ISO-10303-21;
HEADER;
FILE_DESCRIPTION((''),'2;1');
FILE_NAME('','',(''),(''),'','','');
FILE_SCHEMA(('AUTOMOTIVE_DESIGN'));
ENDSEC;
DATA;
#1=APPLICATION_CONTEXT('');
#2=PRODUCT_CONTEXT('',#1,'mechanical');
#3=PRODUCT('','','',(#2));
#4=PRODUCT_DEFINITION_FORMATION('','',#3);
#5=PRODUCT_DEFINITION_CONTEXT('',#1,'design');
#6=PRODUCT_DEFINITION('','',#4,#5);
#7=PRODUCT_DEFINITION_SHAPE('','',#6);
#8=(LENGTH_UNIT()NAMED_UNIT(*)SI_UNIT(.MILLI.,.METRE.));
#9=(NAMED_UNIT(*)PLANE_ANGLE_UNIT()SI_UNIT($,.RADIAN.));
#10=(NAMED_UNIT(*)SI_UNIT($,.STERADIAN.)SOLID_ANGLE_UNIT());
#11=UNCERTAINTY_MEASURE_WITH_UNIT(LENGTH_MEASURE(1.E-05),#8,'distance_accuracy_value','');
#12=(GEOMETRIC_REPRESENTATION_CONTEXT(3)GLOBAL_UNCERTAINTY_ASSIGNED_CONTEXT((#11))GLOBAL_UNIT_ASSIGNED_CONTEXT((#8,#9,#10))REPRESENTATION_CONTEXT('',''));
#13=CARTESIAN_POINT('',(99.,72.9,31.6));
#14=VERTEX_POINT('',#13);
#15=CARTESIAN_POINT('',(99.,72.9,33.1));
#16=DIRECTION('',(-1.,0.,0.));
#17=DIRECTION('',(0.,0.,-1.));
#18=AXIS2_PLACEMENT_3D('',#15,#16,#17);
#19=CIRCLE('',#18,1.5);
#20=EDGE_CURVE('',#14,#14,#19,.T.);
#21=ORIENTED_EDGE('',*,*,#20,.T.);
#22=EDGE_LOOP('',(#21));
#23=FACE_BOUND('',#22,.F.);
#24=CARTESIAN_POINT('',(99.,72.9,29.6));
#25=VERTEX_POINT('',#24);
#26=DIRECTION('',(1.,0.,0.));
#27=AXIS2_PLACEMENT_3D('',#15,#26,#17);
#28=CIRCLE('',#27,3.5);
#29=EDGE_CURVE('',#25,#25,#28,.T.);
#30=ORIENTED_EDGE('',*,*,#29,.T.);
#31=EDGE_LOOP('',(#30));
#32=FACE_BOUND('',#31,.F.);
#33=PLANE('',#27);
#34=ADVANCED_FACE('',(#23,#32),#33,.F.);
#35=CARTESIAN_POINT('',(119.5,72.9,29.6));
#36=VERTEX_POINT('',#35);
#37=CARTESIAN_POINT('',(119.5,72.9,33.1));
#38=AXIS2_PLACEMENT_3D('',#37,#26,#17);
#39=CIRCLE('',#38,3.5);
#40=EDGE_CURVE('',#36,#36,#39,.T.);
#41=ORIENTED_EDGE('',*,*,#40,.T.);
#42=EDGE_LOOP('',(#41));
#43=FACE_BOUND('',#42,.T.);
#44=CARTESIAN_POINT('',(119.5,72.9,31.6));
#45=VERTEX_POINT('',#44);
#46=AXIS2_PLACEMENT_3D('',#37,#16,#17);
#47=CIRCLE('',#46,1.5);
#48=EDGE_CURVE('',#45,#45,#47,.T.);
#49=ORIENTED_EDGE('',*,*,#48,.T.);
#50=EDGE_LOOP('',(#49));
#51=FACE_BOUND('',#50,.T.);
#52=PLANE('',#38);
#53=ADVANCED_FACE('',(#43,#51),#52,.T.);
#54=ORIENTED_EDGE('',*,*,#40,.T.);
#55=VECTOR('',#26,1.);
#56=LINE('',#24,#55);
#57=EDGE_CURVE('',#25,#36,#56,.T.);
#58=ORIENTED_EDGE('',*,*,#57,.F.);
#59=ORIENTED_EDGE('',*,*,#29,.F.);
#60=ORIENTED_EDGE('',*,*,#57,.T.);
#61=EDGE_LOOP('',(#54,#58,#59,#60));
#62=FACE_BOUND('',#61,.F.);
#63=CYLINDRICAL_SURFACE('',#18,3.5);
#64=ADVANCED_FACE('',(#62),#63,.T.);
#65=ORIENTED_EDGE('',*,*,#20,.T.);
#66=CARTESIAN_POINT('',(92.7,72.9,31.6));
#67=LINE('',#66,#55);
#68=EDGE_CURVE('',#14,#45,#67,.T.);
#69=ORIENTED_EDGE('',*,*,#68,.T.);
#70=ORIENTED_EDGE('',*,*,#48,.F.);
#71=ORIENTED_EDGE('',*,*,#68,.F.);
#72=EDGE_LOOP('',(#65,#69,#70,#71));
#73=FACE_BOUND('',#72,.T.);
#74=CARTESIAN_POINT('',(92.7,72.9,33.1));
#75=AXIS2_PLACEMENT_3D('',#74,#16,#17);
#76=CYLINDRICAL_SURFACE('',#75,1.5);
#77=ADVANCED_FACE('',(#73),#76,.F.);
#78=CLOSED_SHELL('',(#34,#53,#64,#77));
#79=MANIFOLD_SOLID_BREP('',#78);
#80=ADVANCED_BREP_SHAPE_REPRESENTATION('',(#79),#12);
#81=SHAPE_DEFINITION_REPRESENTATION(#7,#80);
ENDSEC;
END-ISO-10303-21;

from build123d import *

# Parameters (mm, degrees)
CYLINDER175_R     = 1.5
CYLINDER175_DEPTH = 55
CYLINDER169_R     = 3.5
CYLINDER169_DEPTH = 20.5


with BuildPart() as cylinder175:
    # Cylinder175 → Cylinder175 (new body)
    with BuildSketch(Plane(origin=(92.7, 72.9, 33.1), x_dir=(0, 0, -1), z_dir=(1, 0, 0))):
        Circle(CYLINDER175_R)
    extrude(amount=CYLINDER175_DEPTH)


with BuildPart() as cut208:
    # Cylinder169 → Cylinder169 (new body)
    with BuildSketch(Plane(origin=(99, 72.9, 33.1), x_dir=(0, 0, -1), z_dir=(1, 0, 0))):
        Circle(CYLINDER169_R)
    extrude(amount=CYLINDER169_DEPTH)

    # Cut208: cut Cylinder175
    add(cylinder175.part, mode=Mode.SUBTRACT)


solid = cut208.part
